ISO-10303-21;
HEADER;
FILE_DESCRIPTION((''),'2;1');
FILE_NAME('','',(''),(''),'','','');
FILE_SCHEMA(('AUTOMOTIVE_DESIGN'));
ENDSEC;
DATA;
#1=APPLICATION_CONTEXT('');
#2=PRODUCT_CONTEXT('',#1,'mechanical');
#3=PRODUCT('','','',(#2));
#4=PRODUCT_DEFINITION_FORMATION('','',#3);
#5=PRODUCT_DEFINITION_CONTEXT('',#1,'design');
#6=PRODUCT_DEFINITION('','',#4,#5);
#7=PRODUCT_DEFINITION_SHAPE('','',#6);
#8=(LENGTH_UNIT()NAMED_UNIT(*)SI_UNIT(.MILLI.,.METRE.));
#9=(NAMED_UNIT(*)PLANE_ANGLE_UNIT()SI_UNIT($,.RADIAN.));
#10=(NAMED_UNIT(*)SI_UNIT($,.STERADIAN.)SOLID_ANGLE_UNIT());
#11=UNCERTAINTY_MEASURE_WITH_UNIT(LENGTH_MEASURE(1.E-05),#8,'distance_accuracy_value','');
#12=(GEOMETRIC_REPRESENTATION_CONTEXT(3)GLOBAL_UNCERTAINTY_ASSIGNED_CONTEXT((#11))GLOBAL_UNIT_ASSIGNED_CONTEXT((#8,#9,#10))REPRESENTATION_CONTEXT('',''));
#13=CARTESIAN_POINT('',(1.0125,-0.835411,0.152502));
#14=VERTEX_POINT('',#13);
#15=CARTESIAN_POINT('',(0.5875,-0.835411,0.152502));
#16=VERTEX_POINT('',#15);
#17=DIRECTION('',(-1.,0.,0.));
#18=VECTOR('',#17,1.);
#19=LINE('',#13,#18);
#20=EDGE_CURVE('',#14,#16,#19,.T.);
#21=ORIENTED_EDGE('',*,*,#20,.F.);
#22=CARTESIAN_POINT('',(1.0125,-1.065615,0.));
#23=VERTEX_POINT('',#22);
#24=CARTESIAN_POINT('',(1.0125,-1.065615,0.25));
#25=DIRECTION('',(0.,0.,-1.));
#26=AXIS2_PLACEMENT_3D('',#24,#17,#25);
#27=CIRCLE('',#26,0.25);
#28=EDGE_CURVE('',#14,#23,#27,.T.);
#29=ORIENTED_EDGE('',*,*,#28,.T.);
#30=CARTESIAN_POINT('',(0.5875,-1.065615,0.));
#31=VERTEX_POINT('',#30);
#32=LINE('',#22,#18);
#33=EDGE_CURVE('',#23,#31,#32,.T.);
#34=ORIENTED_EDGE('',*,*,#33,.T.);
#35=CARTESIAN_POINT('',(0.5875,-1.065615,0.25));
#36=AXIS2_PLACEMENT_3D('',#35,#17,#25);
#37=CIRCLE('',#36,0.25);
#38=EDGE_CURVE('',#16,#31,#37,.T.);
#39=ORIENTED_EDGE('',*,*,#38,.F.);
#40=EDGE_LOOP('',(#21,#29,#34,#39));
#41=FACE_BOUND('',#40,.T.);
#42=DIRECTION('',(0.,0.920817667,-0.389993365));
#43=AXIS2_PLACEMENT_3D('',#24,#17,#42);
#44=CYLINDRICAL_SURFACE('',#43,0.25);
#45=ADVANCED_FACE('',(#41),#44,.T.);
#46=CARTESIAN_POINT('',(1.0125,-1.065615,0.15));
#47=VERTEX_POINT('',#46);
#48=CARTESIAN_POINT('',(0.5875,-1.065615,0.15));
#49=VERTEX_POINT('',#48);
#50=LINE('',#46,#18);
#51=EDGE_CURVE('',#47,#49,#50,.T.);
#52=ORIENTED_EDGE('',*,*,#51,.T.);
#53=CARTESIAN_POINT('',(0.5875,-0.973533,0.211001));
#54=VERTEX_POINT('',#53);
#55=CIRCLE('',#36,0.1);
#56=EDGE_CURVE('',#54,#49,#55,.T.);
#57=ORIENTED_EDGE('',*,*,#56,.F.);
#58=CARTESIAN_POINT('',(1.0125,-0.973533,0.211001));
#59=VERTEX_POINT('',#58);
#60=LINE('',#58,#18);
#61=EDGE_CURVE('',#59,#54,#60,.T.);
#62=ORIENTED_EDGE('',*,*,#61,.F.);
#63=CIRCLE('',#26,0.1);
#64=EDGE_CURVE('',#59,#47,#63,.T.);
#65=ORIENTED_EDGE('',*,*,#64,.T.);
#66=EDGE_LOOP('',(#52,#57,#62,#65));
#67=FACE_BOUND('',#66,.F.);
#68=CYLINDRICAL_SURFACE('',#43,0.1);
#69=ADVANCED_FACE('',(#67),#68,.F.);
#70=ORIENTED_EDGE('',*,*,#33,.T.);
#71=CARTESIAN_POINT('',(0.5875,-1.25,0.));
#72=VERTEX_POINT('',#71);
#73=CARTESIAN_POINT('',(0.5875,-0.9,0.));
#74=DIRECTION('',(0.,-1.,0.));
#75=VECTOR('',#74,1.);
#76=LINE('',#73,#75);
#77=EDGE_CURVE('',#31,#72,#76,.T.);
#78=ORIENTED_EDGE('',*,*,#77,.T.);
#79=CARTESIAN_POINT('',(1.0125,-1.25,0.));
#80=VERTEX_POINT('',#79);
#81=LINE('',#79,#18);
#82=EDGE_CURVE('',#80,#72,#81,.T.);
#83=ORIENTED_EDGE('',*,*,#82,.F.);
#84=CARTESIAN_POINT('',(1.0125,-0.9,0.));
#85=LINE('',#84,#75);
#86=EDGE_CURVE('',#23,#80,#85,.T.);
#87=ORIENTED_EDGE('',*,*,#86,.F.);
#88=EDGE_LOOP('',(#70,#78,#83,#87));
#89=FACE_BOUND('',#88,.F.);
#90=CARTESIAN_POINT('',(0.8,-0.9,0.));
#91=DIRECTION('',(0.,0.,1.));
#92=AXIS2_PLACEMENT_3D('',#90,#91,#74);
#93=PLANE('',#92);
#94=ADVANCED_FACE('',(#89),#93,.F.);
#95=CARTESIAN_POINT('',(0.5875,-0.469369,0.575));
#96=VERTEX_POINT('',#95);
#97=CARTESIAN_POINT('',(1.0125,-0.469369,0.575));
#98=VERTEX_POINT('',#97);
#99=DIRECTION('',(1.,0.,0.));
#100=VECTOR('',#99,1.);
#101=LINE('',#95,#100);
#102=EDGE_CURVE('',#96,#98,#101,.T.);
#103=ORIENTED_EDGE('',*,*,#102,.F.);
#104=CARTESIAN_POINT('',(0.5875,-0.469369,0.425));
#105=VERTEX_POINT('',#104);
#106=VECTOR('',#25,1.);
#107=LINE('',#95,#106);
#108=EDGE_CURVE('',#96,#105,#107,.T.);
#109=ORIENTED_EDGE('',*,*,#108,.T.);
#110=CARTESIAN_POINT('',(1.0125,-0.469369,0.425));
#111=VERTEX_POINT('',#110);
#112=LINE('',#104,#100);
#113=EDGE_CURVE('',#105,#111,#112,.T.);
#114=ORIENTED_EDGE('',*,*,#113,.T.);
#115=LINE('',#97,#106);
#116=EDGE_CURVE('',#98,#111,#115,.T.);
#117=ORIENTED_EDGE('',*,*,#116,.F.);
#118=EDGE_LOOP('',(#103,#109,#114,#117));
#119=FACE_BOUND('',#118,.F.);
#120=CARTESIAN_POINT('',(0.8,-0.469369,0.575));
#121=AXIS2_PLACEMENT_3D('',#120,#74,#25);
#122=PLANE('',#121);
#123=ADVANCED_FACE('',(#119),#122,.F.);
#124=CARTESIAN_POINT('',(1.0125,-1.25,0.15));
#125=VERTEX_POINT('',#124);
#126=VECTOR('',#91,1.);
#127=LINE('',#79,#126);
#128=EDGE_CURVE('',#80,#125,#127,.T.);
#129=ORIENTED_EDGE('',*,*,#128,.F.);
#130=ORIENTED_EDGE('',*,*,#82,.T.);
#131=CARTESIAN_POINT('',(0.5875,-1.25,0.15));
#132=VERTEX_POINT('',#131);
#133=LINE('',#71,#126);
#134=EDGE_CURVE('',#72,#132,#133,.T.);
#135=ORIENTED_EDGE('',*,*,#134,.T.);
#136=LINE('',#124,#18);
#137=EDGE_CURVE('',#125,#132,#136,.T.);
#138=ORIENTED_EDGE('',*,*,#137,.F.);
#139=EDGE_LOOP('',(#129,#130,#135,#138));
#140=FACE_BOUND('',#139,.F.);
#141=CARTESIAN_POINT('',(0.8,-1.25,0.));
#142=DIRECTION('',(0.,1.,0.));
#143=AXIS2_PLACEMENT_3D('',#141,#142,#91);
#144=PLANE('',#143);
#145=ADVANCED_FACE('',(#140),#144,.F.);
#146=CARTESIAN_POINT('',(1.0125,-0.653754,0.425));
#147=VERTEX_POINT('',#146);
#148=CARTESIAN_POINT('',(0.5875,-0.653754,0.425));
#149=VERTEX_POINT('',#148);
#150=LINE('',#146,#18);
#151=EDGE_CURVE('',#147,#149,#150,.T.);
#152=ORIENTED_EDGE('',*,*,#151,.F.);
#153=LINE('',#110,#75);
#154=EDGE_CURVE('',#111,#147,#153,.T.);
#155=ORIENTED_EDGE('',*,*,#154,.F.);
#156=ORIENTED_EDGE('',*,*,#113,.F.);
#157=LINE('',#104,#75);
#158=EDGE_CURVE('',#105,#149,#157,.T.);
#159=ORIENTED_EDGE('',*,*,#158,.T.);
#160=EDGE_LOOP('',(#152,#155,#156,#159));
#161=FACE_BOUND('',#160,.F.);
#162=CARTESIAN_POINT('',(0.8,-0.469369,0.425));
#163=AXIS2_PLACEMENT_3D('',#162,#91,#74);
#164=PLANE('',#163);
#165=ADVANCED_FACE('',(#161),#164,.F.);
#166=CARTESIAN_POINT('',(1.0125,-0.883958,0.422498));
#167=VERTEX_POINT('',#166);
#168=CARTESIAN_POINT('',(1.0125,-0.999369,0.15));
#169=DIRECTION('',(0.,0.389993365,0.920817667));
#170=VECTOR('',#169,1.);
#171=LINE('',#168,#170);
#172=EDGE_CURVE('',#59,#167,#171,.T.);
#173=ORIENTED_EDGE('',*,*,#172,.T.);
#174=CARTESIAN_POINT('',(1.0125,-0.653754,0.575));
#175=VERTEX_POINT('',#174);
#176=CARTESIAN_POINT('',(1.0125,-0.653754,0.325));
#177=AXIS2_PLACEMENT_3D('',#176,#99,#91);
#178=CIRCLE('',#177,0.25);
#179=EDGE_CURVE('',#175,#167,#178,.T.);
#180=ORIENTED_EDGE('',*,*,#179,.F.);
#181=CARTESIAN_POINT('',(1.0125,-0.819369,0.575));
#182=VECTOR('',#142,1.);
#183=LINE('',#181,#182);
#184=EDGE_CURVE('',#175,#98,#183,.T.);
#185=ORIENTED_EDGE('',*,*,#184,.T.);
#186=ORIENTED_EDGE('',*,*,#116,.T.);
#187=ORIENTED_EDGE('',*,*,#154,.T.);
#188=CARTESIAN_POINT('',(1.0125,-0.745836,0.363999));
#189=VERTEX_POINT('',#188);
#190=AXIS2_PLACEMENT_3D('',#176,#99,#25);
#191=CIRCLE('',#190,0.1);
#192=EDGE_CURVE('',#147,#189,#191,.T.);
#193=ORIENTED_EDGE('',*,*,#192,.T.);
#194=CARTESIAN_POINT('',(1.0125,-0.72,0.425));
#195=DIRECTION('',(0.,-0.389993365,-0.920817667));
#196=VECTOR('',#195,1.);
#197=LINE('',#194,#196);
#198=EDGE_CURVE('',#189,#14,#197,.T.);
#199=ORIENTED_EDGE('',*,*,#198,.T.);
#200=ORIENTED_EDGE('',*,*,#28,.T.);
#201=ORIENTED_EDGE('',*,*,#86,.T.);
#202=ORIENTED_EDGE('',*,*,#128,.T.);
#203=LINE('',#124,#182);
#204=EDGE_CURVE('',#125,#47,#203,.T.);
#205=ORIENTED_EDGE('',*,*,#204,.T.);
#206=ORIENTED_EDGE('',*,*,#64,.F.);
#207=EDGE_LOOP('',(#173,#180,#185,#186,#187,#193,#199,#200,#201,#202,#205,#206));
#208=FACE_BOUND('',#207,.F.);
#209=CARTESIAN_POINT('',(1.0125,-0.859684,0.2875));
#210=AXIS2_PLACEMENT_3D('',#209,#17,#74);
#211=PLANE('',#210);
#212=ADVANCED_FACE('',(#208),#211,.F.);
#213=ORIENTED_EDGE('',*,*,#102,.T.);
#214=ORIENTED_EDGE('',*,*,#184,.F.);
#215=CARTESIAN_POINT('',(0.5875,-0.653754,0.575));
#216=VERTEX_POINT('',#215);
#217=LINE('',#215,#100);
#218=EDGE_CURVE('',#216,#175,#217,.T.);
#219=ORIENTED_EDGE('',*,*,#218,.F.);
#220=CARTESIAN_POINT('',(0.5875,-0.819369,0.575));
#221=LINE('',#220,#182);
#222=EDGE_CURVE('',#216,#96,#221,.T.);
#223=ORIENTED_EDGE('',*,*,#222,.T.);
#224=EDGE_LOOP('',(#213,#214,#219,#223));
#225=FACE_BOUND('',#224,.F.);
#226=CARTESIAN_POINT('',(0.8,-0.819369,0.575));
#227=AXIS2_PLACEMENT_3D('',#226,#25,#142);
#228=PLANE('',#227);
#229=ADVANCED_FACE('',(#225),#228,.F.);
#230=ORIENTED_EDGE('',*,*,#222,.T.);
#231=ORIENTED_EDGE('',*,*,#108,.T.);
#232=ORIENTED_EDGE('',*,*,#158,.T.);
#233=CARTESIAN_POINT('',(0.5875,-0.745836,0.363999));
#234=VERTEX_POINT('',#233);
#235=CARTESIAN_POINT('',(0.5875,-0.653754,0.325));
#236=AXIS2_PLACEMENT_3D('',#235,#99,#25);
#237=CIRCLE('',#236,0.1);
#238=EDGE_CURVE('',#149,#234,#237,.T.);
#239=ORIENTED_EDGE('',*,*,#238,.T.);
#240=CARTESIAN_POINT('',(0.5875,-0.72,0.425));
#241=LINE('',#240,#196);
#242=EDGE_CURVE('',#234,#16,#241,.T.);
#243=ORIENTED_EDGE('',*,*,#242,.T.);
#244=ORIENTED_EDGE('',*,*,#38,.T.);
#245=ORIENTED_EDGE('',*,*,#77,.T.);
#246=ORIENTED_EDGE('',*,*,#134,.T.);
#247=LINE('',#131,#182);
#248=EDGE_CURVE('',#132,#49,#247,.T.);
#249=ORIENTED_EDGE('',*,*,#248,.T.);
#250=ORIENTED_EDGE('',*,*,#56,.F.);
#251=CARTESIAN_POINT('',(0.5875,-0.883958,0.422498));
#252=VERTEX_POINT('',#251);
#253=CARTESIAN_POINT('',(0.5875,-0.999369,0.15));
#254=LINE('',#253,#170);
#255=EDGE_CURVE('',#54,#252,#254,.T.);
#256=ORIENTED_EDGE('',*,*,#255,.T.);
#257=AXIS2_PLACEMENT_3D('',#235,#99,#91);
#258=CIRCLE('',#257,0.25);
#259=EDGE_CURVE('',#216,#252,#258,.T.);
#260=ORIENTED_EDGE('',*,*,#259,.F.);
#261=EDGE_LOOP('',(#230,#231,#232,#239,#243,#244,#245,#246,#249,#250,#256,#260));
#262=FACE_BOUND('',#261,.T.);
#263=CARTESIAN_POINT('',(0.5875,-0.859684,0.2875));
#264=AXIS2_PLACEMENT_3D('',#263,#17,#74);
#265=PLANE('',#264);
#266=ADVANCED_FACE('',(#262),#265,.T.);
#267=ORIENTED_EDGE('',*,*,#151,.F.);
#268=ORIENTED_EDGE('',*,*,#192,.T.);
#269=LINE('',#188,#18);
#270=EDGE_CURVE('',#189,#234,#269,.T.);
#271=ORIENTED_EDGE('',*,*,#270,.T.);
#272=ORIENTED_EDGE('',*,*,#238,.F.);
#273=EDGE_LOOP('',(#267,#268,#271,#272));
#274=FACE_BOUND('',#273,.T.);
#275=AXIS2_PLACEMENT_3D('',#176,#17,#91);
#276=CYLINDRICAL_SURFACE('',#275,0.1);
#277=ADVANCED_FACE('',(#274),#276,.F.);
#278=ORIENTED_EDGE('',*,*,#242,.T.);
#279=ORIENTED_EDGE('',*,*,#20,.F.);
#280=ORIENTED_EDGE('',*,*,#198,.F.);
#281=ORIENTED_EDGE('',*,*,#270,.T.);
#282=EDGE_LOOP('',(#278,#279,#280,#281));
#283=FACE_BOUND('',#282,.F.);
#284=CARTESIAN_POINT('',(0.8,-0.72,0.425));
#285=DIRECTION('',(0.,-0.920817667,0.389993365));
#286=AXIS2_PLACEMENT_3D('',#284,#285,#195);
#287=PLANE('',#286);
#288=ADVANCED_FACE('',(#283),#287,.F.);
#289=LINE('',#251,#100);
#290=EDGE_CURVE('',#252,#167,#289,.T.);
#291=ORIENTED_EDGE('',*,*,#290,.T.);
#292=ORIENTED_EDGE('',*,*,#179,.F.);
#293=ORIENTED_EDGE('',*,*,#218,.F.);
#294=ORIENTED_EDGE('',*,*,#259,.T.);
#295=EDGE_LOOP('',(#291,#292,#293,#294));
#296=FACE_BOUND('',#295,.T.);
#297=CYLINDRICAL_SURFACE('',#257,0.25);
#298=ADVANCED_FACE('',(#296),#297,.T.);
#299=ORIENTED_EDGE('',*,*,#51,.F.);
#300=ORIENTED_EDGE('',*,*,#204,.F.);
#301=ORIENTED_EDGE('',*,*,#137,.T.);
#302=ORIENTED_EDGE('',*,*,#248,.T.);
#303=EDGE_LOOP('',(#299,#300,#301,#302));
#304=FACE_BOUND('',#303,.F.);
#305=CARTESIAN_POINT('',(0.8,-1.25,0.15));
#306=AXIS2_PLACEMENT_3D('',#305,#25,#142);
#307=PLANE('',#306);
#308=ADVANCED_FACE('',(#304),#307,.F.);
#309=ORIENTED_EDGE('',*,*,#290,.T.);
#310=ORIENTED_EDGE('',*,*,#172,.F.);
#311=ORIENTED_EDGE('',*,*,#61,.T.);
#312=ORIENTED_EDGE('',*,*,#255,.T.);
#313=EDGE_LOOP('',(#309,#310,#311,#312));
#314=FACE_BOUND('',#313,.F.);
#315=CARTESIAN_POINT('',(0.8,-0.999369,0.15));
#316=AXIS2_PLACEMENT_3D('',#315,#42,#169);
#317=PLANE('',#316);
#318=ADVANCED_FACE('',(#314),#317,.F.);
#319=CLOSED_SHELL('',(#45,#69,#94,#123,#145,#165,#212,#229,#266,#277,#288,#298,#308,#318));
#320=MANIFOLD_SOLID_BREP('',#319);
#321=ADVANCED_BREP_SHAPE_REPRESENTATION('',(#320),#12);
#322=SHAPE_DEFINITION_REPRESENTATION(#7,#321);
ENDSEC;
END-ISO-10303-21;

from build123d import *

# Parameters (mm, degrees)
PAD003_DEPTH = 0.2125
FILLET004_R  = 0.1
FILLET005_R  = 0.25


with BuildPart() as part:
    # Sketch003 → Pad003 (new body, symmetric)
    with BuildSketch(Plane.YZ):
        Polygon((-0.469369, 0.425), (-0.72, 0.425), (-0.9, 0), (-1.25, 0), (-1.25, 0.15), (-0.999369, 0.15), (-0.819369, 0.575), (-0.469369, 0.575), align=None)
    extrude(amount=PAD003_DEPTH, both=True)

    # Fillet004
    fillet004_edges = [part.edges().sort_by_distance(p)[0] for p in [
        (0, -0.999369, 0.15),
        (0, -0.72, 0.425),
    ]]
    fillet(fillet004_edges, radius=FILLET004_R)

    # Fillet005
    fillet005_edges = [part.edges().sort_by_distance(p)[0] for p in [
        (0, -0.9, 0),
        (0, -0.819369, 0.575),
    ]]
    fillet(fillet005_edges, radius=FILLET005_R)


with BuildPart() as part_1:
    # Body003 placement: moved
    add(part.part.moved(Location((0.8, 0, 0))))


solid = part_1.part
